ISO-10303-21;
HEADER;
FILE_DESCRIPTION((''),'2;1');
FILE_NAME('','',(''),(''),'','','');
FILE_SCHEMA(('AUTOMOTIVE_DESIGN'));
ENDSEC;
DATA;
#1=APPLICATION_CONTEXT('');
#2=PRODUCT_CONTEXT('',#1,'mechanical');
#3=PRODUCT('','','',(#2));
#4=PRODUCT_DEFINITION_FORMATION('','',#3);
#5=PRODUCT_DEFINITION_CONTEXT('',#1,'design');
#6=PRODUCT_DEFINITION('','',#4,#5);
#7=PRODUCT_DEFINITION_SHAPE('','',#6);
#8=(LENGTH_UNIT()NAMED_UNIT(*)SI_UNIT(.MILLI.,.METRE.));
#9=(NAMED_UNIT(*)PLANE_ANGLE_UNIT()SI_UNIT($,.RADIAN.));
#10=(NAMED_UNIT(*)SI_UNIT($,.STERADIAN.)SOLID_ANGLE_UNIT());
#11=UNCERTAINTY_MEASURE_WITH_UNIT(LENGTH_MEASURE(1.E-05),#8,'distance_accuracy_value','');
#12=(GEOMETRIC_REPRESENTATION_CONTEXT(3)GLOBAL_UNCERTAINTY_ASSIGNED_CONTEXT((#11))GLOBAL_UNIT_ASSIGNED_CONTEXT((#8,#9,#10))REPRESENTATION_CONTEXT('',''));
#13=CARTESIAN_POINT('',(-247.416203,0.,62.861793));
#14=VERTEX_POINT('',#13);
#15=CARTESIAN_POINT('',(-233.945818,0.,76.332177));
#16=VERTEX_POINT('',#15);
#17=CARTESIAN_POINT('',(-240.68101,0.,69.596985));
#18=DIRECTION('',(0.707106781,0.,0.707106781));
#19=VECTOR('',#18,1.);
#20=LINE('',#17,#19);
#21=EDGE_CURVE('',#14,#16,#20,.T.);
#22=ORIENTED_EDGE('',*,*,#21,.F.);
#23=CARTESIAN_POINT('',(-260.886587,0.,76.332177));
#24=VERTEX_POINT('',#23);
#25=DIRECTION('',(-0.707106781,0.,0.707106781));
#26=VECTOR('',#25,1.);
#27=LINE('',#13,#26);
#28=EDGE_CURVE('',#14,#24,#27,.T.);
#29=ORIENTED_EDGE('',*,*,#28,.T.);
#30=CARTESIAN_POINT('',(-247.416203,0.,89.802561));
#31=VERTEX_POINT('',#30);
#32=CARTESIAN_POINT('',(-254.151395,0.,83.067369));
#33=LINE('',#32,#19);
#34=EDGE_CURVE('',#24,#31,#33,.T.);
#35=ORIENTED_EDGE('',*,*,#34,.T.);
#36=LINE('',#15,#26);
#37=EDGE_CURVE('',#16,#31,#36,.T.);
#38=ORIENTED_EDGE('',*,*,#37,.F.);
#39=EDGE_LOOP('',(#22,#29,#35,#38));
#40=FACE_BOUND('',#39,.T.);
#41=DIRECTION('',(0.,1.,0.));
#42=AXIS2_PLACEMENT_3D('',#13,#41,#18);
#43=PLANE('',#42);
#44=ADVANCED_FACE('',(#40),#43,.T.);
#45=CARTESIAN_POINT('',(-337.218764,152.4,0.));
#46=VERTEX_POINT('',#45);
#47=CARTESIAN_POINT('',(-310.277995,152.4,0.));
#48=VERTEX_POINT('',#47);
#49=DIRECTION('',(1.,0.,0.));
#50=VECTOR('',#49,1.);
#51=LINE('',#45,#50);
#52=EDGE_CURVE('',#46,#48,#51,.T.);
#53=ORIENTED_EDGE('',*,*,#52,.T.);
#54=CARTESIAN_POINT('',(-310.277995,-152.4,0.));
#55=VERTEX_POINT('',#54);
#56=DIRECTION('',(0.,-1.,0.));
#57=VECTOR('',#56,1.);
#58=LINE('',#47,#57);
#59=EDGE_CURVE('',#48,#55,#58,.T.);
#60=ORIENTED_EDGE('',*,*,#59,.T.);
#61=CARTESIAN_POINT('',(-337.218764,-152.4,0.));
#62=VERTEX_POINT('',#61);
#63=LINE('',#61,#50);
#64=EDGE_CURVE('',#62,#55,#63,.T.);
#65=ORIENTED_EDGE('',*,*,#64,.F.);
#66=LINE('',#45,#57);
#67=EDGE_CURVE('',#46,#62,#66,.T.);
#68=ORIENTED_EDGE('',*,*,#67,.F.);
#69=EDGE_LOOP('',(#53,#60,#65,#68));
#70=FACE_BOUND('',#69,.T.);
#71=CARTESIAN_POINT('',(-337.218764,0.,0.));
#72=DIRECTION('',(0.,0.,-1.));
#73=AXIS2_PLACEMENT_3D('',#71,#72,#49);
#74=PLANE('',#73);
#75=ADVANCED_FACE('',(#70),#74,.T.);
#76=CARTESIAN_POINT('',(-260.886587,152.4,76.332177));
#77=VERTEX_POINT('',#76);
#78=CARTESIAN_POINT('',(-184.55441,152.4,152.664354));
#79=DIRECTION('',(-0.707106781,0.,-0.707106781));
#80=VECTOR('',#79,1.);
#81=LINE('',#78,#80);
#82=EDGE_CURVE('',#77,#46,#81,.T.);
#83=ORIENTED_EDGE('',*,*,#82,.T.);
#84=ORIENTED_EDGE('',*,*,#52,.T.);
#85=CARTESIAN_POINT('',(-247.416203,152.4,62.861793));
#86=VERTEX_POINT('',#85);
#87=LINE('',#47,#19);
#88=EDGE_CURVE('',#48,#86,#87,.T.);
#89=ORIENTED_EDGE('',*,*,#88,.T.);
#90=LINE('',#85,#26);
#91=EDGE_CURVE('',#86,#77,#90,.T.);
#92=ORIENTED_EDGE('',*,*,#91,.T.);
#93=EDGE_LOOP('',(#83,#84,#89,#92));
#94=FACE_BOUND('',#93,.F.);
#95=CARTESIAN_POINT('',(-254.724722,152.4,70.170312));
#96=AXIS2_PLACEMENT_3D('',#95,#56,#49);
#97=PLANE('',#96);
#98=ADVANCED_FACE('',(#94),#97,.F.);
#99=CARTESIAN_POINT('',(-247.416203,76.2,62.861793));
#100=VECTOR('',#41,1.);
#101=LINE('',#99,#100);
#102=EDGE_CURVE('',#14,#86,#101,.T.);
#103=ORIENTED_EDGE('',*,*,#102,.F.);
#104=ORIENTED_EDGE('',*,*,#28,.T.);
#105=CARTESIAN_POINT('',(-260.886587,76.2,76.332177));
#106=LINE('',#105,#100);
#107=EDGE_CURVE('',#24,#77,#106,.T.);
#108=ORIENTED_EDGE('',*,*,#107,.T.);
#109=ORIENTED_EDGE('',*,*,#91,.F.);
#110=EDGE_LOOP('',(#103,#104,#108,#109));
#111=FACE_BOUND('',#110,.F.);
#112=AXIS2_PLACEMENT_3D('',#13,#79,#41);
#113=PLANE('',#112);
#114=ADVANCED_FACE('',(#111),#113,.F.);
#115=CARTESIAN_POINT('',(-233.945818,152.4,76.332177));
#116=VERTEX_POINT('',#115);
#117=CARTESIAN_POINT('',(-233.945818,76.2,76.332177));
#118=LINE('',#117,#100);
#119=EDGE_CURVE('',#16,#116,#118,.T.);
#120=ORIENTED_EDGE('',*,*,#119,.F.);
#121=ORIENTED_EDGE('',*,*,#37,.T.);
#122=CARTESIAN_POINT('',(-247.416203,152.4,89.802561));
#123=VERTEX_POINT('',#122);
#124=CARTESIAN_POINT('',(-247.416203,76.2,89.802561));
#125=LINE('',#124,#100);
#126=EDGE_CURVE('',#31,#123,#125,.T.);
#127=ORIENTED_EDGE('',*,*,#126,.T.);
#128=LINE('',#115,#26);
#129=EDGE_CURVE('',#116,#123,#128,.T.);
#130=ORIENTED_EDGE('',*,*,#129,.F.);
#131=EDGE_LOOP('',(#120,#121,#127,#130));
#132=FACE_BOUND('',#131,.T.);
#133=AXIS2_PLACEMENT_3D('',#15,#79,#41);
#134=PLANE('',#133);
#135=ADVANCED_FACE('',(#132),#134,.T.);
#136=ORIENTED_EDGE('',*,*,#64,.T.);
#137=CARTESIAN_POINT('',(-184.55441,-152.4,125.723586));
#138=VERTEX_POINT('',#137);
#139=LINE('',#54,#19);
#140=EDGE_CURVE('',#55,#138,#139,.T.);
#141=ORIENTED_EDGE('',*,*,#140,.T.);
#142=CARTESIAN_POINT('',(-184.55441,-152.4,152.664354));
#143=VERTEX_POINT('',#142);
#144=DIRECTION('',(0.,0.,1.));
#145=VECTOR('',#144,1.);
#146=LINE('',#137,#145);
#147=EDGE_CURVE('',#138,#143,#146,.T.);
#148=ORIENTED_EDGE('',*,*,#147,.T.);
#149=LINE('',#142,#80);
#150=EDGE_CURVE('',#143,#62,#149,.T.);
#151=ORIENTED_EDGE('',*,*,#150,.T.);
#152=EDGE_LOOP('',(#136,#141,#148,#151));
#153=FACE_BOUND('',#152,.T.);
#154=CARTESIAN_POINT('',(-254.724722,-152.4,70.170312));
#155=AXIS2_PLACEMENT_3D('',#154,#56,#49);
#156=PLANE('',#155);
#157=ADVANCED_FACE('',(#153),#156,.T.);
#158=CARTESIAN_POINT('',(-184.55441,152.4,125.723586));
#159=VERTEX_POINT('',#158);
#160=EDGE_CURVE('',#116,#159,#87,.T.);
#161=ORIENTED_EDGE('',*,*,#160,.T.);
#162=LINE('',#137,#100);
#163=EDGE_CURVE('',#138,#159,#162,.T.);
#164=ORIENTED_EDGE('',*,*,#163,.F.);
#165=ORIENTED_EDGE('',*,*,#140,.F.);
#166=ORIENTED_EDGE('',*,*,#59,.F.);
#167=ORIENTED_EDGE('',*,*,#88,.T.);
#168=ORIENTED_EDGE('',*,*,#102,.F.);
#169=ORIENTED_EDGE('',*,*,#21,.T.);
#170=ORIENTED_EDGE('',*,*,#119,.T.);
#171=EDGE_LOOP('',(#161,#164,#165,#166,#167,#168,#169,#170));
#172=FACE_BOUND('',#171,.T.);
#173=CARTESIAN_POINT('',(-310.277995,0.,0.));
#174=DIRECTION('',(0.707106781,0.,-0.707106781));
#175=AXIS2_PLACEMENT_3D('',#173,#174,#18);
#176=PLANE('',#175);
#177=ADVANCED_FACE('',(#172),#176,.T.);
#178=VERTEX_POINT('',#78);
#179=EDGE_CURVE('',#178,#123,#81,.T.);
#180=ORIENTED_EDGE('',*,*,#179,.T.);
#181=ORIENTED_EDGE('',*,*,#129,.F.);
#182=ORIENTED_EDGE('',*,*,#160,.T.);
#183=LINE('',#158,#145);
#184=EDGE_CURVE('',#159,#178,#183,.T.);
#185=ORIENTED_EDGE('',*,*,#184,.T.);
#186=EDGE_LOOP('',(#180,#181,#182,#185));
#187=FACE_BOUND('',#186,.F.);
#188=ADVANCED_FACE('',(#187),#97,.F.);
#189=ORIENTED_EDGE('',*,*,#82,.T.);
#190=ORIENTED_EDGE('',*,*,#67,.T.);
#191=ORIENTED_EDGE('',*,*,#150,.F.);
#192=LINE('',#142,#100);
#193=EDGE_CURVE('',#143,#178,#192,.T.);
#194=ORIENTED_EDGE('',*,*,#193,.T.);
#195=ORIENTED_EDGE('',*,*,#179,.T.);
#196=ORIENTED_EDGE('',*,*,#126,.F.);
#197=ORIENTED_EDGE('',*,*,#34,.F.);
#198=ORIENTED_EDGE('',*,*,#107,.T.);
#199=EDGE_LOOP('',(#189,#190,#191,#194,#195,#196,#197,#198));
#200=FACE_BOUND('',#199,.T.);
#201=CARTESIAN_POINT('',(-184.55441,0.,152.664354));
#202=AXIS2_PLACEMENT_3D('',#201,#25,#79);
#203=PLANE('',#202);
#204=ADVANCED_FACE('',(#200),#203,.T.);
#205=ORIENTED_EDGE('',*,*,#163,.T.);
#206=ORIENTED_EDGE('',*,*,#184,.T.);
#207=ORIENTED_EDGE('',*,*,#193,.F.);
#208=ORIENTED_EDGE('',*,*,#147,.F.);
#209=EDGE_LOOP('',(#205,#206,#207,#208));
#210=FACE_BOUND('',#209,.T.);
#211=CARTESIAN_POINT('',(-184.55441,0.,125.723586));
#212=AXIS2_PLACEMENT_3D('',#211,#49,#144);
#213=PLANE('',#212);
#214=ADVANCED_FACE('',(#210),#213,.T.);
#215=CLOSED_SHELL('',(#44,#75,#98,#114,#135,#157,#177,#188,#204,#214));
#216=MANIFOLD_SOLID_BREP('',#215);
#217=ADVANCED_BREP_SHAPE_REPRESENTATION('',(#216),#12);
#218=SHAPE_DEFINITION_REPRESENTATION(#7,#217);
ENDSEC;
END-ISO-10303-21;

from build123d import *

# Parameters (mm, degrees)
F1_DEPTH = 152.4
F2_W     = 152.4
F2_H     = 19.05
F3_DEPTH = 19.05


with BuildPart() as f1:
    # F0 (on Front) → F1 (new body, symmetric)
    with BuildSketch(Plane.XZ):
        Polygon((-184.5544097188, 152.6643540582), (-337.2187637769, 0), (-310.2779954137, 0), (-184.5544097188, 125.723585695), align=None)
    extrude(amount=F1_DEPTH, both=True)

    # F2 (on face) → F3 (cut)
    with BuildSketch(Plane(origin=(-155.1389977069, 0, 155.1389977069), x_dir=(0, 1, 0), z_dir=(0.7071067812, 0, -0.7071067812))):
        with Locations((76.2, -120.97467461)):
            Rectangle(F2_W, F2_H)
    extrude(amount=-F3_DEPTH, mode=Mode.SUBTRACT)


solid = f1.part
